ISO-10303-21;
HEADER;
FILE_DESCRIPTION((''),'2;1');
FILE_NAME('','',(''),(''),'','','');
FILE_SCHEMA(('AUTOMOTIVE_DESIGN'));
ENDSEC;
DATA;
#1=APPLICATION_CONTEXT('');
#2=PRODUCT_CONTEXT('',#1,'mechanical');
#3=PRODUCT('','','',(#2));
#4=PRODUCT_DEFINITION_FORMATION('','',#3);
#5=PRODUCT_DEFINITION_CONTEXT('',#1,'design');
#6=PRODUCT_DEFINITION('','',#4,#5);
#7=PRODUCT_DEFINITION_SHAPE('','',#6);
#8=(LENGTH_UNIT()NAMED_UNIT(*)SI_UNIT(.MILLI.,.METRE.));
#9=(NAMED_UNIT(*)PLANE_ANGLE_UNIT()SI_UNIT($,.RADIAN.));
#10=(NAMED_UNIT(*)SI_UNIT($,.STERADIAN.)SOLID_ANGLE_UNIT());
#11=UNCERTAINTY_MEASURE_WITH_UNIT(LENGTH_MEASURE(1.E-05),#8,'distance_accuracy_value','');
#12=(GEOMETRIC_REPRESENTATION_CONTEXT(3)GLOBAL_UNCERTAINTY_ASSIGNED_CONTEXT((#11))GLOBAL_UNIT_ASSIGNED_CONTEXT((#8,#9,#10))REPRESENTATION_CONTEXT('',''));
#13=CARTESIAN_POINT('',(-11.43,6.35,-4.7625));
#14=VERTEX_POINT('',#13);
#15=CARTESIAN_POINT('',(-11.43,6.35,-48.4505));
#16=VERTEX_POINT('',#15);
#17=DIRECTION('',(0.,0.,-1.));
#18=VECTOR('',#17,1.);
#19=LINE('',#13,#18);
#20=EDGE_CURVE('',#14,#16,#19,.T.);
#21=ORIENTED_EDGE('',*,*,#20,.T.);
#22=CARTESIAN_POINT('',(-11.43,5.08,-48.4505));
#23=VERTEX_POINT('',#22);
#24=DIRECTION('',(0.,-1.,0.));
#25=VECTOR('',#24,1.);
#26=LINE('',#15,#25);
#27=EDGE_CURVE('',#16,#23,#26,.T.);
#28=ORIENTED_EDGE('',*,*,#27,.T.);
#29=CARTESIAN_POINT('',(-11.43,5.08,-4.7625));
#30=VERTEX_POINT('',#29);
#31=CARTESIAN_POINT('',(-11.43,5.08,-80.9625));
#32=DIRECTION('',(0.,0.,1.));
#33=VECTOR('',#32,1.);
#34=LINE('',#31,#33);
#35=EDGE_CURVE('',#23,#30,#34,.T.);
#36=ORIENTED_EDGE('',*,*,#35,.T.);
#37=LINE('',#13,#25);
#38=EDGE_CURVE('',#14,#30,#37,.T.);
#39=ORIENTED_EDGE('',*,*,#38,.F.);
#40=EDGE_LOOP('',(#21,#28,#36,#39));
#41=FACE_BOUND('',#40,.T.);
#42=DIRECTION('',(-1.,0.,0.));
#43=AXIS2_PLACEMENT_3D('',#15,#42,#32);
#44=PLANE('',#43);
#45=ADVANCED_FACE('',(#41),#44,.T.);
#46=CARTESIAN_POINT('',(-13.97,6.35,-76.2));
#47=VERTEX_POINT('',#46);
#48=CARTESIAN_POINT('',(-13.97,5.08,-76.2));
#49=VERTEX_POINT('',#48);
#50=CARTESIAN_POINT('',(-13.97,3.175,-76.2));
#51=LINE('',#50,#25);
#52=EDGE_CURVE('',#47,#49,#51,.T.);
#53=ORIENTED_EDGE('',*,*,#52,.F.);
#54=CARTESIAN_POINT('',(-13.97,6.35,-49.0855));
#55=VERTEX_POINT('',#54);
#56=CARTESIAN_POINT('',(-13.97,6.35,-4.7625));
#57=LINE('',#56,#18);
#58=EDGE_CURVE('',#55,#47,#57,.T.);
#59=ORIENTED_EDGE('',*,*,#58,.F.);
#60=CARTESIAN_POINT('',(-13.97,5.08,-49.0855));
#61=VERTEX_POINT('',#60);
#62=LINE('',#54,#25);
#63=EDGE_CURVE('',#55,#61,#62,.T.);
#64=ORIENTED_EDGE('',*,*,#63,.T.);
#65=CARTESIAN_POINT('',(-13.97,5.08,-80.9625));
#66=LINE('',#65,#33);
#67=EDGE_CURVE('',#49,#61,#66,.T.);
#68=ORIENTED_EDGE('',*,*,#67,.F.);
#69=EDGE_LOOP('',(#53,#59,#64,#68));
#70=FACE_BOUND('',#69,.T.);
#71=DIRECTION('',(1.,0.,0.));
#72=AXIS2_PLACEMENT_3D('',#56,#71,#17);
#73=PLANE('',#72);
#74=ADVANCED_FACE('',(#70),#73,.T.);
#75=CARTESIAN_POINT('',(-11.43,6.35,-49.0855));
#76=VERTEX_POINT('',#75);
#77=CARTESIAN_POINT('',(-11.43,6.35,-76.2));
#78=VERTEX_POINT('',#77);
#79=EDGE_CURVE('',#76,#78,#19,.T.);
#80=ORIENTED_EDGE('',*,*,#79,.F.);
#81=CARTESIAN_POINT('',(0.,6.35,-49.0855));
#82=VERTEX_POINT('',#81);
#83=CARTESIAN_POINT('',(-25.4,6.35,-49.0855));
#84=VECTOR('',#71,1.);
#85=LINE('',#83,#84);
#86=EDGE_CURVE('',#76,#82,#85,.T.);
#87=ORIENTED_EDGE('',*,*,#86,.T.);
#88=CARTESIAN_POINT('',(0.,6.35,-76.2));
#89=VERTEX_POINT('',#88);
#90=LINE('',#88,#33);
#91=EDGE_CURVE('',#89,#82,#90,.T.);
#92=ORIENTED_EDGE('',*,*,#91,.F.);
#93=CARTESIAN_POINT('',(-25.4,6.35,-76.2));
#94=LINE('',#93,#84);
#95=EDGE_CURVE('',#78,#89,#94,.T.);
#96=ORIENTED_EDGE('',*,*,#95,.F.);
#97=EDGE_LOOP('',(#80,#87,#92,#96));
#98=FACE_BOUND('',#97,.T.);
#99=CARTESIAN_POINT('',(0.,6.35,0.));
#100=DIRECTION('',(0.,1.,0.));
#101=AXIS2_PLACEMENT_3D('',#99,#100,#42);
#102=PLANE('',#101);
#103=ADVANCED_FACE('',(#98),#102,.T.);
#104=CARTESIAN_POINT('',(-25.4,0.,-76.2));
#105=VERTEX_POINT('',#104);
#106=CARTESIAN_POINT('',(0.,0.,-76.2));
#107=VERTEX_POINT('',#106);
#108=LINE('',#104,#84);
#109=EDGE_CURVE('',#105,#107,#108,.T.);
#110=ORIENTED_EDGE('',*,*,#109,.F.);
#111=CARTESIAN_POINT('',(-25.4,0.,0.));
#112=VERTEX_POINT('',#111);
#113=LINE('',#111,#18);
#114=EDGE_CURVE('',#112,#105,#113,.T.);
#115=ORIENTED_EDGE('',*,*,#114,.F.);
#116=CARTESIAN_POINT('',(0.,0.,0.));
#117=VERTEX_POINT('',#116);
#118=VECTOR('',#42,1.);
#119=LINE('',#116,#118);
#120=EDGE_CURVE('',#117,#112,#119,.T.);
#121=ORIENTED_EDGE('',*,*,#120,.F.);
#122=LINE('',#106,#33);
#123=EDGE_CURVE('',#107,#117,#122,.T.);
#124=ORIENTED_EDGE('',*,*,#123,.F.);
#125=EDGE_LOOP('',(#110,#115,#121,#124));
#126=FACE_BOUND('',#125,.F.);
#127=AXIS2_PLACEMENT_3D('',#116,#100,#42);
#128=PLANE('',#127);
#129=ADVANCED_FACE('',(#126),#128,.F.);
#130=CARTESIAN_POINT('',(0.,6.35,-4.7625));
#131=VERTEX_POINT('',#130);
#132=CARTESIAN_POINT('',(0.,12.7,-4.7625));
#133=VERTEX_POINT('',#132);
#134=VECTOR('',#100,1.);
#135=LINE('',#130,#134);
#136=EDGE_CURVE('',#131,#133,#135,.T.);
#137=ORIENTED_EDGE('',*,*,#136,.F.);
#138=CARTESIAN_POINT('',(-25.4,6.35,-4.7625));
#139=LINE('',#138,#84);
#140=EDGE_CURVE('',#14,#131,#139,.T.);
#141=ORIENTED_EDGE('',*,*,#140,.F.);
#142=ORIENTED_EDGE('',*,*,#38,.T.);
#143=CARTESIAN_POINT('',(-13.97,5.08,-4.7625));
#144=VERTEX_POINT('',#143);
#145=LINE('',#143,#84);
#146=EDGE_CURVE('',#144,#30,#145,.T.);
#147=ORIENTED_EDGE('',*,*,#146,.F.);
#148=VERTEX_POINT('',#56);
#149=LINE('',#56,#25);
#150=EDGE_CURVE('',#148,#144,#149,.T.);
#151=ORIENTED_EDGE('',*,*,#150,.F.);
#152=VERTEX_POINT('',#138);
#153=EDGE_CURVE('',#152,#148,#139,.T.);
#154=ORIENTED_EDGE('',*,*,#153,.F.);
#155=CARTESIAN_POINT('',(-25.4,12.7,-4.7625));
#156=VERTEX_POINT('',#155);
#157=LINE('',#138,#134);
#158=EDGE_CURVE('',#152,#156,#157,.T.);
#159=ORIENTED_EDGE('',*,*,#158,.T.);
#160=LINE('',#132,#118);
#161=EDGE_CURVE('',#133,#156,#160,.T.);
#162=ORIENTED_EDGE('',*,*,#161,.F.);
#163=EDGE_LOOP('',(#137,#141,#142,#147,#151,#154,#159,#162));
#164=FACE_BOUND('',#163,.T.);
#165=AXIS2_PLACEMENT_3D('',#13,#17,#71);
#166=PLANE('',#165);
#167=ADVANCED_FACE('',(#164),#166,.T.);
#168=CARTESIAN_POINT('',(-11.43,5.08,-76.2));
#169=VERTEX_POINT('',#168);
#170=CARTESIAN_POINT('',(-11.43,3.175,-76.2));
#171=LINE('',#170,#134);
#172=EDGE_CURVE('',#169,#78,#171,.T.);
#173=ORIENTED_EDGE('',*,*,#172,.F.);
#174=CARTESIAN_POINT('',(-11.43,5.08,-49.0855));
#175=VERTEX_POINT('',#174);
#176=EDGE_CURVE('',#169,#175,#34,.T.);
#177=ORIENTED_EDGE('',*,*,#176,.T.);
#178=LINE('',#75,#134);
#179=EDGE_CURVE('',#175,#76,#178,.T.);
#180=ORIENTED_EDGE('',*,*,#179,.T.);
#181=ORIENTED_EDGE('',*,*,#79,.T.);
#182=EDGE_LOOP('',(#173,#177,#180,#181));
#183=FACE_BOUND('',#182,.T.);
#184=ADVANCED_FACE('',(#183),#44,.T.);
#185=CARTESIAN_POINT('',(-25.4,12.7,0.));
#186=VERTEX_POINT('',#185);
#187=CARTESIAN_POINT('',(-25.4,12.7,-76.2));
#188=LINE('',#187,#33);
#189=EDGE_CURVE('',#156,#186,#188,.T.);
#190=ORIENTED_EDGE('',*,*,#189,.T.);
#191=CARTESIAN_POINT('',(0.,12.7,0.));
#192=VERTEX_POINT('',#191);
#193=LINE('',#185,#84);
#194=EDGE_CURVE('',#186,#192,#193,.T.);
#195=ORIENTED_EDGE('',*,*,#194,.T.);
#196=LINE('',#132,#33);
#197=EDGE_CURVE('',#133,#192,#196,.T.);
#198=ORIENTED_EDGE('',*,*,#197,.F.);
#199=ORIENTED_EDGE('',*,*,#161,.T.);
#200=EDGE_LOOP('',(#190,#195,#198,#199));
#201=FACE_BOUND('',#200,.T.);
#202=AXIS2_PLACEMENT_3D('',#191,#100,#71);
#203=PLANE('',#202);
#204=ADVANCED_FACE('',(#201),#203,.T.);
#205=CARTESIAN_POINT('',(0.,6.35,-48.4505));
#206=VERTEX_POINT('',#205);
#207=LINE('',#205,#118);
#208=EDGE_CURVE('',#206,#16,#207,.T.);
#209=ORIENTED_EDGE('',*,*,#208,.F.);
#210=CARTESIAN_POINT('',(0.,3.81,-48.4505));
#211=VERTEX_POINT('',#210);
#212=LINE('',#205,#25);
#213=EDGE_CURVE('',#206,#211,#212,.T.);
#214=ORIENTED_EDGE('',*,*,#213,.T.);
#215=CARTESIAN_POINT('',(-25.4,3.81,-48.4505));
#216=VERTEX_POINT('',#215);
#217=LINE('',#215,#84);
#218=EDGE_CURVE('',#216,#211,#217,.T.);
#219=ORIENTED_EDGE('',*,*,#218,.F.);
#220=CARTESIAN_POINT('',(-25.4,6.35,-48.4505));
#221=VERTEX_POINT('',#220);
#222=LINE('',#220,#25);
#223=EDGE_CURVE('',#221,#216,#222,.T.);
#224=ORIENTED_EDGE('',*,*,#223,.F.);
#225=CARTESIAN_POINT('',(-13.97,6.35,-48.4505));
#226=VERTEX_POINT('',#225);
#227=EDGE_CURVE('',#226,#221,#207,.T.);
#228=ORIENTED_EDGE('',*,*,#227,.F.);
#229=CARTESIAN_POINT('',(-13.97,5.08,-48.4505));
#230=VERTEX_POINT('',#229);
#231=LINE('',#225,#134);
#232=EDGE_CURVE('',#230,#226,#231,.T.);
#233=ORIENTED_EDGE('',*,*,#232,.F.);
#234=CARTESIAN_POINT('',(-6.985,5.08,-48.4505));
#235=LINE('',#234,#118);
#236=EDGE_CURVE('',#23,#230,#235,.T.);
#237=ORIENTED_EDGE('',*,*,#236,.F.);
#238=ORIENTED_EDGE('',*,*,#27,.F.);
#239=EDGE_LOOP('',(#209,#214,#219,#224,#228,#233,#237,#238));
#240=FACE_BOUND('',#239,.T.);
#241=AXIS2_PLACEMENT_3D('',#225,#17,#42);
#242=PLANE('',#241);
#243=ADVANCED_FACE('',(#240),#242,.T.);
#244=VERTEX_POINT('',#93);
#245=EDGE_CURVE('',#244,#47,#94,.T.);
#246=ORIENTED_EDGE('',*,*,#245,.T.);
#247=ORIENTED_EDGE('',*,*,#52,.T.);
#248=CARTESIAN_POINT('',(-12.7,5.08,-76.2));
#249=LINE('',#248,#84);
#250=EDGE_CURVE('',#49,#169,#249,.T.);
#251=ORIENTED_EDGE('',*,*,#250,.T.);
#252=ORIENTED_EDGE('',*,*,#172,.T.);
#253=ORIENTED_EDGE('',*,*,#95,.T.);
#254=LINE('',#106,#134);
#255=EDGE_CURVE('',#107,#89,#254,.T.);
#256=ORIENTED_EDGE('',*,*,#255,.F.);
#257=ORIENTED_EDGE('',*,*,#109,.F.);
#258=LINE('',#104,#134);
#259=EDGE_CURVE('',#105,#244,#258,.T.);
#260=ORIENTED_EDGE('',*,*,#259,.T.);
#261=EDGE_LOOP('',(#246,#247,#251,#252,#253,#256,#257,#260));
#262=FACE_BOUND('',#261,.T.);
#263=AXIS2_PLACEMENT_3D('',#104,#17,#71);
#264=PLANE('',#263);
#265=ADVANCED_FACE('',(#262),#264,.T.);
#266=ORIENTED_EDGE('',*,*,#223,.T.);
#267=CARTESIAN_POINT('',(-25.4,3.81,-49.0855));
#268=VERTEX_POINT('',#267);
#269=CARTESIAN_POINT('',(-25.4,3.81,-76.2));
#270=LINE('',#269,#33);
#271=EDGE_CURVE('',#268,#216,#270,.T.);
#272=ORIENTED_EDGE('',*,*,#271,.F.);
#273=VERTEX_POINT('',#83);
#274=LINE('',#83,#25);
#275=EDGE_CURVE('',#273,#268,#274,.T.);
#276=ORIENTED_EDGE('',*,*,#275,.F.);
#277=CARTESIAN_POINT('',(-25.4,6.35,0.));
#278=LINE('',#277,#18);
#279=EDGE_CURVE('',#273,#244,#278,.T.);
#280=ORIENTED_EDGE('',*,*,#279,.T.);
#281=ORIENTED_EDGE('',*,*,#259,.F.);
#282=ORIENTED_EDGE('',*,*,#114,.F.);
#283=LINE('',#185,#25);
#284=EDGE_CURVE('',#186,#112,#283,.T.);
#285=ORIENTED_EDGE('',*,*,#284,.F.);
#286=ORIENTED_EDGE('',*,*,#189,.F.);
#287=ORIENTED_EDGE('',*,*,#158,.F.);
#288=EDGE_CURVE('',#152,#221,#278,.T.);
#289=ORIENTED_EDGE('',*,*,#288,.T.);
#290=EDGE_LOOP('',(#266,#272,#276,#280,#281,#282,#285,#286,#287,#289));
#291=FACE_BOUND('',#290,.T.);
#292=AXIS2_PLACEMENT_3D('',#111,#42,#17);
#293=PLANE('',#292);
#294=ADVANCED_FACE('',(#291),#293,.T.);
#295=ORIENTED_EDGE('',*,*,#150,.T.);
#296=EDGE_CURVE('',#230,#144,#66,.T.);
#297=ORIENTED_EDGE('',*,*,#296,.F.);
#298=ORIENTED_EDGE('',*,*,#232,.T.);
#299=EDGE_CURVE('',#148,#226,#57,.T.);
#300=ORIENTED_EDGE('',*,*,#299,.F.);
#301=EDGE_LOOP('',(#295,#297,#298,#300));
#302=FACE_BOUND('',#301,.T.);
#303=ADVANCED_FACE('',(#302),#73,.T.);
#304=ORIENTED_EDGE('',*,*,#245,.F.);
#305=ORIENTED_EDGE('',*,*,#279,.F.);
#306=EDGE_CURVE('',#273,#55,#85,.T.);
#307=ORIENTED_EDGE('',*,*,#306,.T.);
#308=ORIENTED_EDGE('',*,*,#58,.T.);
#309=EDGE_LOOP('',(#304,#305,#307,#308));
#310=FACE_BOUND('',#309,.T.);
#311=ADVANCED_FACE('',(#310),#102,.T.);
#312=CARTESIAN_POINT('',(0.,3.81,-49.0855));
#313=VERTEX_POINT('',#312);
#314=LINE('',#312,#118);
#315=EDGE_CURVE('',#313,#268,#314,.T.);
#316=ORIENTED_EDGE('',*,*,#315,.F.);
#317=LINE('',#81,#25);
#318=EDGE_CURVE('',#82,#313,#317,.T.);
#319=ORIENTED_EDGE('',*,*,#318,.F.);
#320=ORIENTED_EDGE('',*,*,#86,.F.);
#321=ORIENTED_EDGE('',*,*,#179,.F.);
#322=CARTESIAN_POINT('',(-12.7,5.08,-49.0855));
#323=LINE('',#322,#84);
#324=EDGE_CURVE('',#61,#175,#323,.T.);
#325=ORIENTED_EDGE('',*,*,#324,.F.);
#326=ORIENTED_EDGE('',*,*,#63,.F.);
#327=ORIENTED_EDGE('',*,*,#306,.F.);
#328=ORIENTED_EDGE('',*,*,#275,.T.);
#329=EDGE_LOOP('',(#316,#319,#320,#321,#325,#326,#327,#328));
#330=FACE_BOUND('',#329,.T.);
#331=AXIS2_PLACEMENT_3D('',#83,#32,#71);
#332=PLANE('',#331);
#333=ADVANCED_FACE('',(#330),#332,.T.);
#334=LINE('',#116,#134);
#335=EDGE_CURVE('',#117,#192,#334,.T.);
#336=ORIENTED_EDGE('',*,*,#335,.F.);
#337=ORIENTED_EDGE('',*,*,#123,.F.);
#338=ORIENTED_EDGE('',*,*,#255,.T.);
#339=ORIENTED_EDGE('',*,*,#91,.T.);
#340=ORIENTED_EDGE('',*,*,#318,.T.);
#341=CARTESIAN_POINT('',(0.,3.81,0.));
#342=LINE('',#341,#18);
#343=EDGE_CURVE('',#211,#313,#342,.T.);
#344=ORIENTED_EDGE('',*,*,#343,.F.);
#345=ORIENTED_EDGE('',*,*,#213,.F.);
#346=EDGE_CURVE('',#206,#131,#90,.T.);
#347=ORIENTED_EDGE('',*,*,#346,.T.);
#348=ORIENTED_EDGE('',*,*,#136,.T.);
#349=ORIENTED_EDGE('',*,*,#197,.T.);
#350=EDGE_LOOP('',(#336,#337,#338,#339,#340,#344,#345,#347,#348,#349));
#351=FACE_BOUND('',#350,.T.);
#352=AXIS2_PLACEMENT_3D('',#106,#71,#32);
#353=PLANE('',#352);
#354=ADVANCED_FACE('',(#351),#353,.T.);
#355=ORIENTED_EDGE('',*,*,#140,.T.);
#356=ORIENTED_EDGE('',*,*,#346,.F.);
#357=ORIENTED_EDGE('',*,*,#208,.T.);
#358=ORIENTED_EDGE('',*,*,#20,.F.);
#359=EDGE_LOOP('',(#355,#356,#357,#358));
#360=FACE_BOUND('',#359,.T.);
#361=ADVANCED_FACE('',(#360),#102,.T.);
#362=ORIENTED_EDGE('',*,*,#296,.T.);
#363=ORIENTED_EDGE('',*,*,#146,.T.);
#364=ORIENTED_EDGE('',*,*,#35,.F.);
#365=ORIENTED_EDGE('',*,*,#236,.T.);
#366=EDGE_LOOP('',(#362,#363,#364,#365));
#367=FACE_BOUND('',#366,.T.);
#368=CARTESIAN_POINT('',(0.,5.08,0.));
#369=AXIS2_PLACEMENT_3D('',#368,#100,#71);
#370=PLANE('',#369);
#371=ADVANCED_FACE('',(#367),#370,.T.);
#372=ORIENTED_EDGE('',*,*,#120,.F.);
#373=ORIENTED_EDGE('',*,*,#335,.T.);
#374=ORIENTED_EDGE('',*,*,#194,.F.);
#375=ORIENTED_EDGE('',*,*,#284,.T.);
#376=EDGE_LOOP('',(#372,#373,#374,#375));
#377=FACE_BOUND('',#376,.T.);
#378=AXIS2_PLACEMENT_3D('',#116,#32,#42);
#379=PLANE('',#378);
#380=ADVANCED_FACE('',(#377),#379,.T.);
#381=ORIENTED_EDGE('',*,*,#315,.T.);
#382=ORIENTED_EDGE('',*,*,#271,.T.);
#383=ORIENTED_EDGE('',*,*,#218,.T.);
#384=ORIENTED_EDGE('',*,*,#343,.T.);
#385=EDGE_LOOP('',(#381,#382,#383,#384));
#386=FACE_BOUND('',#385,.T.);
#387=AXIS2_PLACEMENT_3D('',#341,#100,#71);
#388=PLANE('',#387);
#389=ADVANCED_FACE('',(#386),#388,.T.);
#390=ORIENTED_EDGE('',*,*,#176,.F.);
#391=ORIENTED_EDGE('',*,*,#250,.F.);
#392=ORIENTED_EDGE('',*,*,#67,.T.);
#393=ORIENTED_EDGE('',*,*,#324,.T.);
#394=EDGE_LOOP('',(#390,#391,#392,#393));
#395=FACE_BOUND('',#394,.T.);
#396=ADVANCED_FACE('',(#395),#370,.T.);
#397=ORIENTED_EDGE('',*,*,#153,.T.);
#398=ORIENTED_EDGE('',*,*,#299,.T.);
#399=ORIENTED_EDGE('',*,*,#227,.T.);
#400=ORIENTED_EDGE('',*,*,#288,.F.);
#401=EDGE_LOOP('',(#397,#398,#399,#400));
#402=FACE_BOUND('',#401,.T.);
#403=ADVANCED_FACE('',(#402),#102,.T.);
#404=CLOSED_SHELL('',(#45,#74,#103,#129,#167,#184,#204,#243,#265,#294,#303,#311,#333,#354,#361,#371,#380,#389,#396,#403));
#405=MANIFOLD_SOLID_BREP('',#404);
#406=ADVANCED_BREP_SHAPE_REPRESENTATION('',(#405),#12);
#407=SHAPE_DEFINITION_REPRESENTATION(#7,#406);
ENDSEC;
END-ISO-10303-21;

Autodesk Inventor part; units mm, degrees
ref_plane "YZ Plane" through (0, 0, 0) normal (1, 0, 0) x (0, 1, 0)
ref_plane "XZ Plane" through (0, 0, 0) normal (0, 1, 0) x (-1, 0, 0)
ref_plane "XY Plane" through (0, 0, 0) normal (0, 0, 1) x (1, 0, 0)
sketch "Sketch1" plane through (0, 0, 0) normal (0, 1, 0) x (-1, 0, 0)
  line L0 (0, 0) -> (25.4, 0)
  line L1 (25.4, 0) -> (25.4, -76.2)
  line L2 (25.4, -76.2) -> (0, -76.2)
  line L3 (0, -76.2) -> (0, 0)
  dimension "d0" = 25.4
  dimension "d1" = 76.2
extrude "Extrusion1" add sketch "Sketch1" along normal blind 6.35
sketch "Sketch2" plane through (0, 6.35, 0) normal (0, 1, 0) x (1, 0, 0)
  line L0 (-25.4, 0) -> (0, 0) projected
  line L1 (-25.4, 76.2) -> (-25.4, 0) projected
  line L2 (0, 0) -> (-25.4, 0)
  line L3 (-25.4, 0) -> (-25.4, 4.7625)
  line L4 (-25.4, 4.7625) -> (0, 4.7625)
  line L5 (0, 4.7625) -> (0, 0)
  line L6 (-12.7, 4.7625) -> (-11.43, 4.7625)
  line L7 (-11.43, 4.7625) -> (-13.97, 4.7625)
  line L8 (-13.97, 4.7625) -> (-13.97, 80.9625)
  line L9 (-13.97, 80.9625) -> (-11.43, 80.9625)
  line L10 (-11.43, 80.9625) -> (-11.43, 4.7625)
  line L11 (-13.97, 4.7625) -> (-13.97, 48.4505)
  line L12 (-13.97, 48.4505) -> (0, 48.4505)
  line L13 (0, 0) -> (0, 76.2) projected
  line L14 (0, 48.4505) -> (-25.4, 48.4505)
  line L15 (-25.4, 48.4505) -> (-25.4, 49.0855)
  line L16 (-25.4, 49.0855) -> (0, 49.0855)
  line L17 (0, 49.0855) -> (0, 48.4505)
  point P0 (-11.43, 48.4505)
  point P1 (0, 49.0855)
  point P2 (-13.97, 49.0855)
  point P3 (-11.43, 49.0855)
  dimension "d4" = 4.7625
  dimension "d5" = 1.27
  dimension "d6" = 2.54
  dimension "d7" = 76.2
  dimension "d8" = 43.688
  dimension "d9" = 25.4
  dimension "d10" = 0.635
extrude "Extrusion2" add sketch "Sketch2" along normal blind 6.35 contours L1 L4 L5 L0
extrude "Extrusion3" cut sketch "Sketch2" against normal blind 1.27 contours L8 L12 L10 L4 | L8 L16 L10 L12 | L8 L9 L10 L16
extrude "Extrusion4" cut sketch "Sketch2" against normal blind 2.54 contours L1 L16 L8 L14 | L12 L10 L16 L13 | L8 L16 L10 L12
properties part number "Capillary Cutting Fixture for O-ring system"
